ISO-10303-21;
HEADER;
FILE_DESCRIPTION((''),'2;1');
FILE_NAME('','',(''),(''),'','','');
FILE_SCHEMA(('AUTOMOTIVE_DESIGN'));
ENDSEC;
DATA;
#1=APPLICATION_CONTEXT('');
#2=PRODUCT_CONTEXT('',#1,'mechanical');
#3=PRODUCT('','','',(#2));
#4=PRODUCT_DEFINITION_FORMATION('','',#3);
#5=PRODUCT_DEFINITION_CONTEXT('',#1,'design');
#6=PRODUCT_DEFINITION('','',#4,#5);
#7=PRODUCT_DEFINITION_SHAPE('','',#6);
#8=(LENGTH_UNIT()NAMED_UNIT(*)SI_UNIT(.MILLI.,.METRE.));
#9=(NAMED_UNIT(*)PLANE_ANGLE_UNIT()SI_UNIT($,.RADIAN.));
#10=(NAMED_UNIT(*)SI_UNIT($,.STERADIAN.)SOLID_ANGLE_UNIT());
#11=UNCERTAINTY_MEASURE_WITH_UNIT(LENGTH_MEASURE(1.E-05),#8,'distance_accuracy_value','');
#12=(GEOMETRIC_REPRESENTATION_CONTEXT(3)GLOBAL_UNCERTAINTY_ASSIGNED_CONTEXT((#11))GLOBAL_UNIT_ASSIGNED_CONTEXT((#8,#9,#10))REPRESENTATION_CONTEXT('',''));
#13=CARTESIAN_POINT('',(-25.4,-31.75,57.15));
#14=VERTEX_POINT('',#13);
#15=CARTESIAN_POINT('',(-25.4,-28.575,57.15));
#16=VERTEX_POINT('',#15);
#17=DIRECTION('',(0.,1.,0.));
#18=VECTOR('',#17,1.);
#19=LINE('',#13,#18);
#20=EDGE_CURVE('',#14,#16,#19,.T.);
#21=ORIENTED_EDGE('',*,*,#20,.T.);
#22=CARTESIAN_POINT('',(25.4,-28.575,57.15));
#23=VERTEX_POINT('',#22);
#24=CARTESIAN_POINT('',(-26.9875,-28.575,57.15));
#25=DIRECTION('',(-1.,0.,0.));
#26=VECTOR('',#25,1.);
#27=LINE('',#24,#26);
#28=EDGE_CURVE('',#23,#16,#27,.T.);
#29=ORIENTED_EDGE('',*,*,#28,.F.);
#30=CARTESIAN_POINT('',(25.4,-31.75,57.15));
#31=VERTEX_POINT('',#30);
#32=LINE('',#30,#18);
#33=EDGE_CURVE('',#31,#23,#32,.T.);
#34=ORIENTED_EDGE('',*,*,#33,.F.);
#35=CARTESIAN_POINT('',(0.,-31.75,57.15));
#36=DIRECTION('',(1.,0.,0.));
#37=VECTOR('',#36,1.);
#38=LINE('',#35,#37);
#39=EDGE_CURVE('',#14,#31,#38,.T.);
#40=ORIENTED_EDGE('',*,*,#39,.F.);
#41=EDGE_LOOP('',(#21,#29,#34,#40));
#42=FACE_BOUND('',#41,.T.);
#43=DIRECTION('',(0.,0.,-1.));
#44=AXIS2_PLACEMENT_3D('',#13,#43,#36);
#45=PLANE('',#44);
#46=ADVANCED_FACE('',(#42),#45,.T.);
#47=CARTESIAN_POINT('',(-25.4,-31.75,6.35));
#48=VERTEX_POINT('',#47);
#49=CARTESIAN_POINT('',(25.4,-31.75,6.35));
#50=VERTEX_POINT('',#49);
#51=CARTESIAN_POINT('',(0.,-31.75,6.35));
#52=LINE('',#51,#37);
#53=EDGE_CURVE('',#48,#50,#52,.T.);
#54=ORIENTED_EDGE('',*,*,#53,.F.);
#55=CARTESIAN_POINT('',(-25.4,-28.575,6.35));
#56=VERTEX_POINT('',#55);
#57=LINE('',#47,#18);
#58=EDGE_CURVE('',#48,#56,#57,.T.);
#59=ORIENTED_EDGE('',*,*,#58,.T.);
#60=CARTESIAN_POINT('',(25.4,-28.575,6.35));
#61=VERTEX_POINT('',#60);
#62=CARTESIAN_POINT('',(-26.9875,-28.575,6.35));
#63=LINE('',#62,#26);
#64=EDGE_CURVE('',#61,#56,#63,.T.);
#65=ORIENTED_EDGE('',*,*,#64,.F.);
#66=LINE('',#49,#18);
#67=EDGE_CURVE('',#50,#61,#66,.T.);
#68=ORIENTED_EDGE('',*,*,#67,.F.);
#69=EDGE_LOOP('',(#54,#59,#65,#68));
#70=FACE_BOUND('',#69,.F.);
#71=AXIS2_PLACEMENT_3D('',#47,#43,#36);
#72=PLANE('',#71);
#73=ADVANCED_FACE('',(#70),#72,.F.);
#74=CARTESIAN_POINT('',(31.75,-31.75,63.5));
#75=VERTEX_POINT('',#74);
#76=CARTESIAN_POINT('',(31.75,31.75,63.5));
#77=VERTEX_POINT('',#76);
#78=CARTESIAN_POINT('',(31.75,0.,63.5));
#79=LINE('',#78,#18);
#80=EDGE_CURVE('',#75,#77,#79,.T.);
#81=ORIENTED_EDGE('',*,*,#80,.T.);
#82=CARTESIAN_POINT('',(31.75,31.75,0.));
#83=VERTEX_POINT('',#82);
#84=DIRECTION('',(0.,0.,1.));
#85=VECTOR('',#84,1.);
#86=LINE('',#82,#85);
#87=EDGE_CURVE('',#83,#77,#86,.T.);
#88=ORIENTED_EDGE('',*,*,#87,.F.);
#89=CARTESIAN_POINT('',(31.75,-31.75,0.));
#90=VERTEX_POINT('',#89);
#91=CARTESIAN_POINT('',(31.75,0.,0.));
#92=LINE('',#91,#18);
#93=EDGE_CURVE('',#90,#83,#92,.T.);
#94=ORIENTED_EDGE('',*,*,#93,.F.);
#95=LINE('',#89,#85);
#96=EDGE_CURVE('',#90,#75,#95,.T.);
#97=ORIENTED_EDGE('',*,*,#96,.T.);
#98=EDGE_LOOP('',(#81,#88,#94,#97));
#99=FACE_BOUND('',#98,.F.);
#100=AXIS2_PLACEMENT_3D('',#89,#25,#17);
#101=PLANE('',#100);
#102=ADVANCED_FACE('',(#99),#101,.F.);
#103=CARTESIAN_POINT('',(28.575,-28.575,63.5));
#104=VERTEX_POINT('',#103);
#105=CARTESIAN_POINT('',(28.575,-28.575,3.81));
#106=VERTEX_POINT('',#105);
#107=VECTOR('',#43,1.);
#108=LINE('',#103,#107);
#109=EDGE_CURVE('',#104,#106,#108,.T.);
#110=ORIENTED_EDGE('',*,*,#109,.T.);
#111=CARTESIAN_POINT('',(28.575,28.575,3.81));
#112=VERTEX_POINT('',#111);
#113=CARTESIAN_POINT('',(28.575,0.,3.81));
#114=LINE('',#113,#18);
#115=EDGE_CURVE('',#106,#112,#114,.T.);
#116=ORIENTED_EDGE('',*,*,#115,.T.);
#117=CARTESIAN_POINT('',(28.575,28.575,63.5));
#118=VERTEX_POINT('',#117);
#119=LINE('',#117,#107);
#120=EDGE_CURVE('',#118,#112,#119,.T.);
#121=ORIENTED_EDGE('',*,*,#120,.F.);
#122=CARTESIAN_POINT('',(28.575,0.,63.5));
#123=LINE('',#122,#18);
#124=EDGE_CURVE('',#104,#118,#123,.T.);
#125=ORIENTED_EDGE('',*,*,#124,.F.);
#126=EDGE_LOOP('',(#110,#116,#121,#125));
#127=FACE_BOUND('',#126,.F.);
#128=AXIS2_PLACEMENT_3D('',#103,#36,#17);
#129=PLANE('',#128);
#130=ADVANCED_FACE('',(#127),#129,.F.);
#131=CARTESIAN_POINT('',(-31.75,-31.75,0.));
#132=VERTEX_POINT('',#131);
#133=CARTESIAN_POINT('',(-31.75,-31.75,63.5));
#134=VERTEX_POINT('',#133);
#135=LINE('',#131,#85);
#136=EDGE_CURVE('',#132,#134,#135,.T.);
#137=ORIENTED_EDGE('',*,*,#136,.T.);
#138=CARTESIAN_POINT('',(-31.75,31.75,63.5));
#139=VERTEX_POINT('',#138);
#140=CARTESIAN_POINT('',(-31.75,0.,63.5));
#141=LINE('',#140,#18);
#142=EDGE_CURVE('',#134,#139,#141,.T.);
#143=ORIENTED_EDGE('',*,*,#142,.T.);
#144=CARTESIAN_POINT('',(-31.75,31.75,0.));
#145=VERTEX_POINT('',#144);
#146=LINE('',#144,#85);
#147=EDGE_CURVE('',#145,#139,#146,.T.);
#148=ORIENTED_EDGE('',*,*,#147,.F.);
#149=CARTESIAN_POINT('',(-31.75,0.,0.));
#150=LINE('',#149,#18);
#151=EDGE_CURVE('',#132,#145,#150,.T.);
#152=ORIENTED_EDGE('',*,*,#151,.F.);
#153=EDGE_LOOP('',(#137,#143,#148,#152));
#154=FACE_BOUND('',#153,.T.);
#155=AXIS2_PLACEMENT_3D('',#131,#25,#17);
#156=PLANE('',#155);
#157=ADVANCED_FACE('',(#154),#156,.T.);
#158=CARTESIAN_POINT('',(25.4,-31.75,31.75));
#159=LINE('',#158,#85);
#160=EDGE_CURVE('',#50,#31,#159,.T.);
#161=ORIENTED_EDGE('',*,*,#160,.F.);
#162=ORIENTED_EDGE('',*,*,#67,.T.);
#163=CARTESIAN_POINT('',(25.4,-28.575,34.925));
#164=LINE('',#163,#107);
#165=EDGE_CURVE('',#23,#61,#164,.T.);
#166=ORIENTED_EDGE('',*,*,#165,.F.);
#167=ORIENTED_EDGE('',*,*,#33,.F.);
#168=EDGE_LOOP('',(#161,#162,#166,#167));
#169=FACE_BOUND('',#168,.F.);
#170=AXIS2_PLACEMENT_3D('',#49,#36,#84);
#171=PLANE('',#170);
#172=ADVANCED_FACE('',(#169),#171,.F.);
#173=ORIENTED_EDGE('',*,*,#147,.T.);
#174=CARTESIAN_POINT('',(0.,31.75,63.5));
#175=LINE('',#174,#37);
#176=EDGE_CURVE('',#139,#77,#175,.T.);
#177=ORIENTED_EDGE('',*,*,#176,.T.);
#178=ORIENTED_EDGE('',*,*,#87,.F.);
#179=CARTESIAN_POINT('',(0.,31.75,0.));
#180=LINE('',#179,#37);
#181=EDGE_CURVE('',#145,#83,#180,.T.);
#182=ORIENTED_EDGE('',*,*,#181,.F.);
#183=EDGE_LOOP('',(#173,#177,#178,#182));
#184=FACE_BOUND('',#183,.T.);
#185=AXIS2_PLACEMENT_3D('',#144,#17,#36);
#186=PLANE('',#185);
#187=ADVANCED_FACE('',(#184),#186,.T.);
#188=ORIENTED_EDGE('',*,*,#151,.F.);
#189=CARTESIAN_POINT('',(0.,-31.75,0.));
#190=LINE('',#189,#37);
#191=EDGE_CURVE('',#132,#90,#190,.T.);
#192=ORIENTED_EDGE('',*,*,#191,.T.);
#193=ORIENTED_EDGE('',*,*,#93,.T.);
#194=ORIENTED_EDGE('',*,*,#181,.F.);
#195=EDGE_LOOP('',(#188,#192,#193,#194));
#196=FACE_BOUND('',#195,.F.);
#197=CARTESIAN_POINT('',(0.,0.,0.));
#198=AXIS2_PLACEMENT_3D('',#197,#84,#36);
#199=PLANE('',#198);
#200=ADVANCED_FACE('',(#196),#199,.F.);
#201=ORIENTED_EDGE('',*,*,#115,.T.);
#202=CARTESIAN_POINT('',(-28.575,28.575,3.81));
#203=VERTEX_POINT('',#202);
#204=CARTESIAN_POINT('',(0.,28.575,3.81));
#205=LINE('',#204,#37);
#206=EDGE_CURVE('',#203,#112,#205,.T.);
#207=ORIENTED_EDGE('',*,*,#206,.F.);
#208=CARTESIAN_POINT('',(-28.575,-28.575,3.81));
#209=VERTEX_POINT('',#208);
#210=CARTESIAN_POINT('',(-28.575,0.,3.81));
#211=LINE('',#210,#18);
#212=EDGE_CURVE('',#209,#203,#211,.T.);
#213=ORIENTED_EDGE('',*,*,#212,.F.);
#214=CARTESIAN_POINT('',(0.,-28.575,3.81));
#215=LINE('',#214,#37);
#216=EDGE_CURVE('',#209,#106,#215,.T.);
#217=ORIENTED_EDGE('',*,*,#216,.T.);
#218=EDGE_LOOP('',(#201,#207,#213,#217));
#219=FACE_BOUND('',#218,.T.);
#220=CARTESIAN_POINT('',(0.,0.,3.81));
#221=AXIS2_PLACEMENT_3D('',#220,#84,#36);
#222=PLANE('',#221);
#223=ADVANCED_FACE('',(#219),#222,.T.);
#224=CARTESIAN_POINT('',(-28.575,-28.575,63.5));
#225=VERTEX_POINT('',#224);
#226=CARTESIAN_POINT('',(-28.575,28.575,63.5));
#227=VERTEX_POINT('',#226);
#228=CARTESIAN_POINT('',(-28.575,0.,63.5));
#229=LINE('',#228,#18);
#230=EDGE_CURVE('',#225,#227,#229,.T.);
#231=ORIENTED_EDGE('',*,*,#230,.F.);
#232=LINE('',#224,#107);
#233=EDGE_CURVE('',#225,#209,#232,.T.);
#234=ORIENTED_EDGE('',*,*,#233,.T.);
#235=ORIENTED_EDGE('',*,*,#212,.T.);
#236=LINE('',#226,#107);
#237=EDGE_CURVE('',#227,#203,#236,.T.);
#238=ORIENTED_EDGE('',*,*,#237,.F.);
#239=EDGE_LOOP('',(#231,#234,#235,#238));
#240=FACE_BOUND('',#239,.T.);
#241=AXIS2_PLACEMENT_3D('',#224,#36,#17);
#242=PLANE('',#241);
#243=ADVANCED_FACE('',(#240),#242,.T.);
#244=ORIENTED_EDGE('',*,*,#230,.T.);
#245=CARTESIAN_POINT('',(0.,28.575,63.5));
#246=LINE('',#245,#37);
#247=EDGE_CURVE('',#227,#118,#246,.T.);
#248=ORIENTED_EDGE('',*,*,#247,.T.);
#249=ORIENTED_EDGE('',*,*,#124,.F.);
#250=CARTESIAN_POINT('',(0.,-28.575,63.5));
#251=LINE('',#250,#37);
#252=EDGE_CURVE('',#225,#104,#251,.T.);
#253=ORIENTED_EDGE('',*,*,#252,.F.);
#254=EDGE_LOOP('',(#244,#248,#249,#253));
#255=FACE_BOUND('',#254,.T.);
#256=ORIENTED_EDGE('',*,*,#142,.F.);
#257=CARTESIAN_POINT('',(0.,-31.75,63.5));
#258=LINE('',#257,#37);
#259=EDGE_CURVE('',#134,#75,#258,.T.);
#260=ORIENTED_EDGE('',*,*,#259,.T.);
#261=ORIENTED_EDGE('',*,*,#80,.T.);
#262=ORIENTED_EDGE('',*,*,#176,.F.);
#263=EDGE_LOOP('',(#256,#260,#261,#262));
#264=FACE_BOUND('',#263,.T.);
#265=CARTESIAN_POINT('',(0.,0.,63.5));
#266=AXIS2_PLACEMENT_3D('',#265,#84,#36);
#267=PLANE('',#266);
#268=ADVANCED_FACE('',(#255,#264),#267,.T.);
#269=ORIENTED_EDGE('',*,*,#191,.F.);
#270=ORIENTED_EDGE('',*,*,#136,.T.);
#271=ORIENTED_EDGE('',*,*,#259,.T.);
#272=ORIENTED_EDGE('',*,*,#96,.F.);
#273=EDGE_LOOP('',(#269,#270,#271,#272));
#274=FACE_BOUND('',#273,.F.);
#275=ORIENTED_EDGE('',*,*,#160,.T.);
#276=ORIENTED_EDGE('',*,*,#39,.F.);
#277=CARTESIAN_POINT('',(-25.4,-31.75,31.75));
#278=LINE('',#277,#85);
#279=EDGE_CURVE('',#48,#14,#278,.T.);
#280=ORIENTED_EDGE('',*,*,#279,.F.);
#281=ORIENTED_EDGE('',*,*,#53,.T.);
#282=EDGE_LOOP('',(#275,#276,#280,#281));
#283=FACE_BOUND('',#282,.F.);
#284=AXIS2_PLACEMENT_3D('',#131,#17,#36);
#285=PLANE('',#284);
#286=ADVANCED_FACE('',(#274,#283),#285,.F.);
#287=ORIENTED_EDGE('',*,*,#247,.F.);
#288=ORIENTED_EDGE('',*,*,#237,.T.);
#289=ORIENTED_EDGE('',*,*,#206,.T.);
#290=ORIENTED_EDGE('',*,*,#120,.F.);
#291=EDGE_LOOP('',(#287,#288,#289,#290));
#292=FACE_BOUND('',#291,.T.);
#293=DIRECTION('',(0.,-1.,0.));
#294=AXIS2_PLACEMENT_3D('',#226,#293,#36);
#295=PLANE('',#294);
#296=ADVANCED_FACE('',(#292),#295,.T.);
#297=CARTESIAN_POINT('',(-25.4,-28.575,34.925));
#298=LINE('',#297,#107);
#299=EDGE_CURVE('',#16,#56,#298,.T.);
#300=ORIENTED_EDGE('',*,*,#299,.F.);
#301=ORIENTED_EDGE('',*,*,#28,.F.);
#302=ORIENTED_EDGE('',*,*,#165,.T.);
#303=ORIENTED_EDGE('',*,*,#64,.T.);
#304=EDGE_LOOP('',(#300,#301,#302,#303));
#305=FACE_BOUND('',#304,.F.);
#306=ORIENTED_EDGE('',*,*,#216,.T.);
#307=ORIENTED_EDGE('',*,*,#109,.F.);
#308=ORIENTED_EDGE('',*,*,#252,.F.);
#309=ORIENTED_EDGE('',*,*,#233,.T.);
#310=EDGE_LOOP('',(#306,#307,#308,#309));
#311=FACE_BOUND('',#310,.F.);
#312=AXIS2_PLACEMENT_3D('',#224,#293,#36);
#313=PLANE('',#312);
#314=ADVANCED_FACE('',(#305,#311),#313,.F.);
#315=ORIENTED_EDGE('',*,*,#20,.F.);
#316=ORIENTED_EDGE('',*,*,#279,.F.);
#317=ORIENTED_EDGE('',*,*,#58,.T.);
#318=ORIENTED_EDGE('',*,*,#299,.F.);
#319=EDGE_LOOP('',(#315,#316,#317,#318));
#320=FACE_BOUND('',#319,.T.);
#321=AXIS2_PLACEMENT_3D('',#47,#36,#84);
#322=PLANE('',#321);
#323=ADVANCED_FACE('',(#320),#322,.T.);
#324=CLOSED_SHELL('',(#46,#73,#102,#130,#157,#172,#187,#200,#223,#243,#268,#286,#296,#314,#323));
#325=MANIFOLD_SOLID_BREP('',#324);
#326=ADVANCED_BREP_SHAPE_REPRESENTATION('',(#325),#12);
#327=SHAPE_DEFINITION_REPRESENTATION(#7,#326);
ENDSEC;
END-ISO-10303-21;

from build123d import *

# Parameters (mm, degrees)
F0_W     = 63.5
F0_H     = 63.5
F1_DEPTH = 63.5
F2_W     = 50.8
F2_H     = 50.8
F3_DEPTH = 57.15
F4_W     = 57.15
F4_H     = 57.15
F5_DEPTH = 59.69


with BuildPart() as f1:
    # F0 (on Top) → F1 (new body)
    with BuildSketch(Plane.XY):
        Rectangle(F0_W, F0_H)
    extrude(amount=F1_DEPTH)

    # F2 (on face) → F3 (cut)
    with BuildSketch(Plane.XZ.offset(31.75)):
        with Locations((0, 31.75)):
            Rectangle(F2_W, F2_H)
    extrude(amount=-F3_DEPTH, mode=Mode.SUBTRACT)

    # F4 (on face) → F5 (cut)
    with BuildSketch(Plane.XY.offset(63.5)):
        Rectangle(F4_W, F4_H)
    extrude(amount=-F5_DEPTH, mode=Mode.SUBTRACT)


solid = f1.part
